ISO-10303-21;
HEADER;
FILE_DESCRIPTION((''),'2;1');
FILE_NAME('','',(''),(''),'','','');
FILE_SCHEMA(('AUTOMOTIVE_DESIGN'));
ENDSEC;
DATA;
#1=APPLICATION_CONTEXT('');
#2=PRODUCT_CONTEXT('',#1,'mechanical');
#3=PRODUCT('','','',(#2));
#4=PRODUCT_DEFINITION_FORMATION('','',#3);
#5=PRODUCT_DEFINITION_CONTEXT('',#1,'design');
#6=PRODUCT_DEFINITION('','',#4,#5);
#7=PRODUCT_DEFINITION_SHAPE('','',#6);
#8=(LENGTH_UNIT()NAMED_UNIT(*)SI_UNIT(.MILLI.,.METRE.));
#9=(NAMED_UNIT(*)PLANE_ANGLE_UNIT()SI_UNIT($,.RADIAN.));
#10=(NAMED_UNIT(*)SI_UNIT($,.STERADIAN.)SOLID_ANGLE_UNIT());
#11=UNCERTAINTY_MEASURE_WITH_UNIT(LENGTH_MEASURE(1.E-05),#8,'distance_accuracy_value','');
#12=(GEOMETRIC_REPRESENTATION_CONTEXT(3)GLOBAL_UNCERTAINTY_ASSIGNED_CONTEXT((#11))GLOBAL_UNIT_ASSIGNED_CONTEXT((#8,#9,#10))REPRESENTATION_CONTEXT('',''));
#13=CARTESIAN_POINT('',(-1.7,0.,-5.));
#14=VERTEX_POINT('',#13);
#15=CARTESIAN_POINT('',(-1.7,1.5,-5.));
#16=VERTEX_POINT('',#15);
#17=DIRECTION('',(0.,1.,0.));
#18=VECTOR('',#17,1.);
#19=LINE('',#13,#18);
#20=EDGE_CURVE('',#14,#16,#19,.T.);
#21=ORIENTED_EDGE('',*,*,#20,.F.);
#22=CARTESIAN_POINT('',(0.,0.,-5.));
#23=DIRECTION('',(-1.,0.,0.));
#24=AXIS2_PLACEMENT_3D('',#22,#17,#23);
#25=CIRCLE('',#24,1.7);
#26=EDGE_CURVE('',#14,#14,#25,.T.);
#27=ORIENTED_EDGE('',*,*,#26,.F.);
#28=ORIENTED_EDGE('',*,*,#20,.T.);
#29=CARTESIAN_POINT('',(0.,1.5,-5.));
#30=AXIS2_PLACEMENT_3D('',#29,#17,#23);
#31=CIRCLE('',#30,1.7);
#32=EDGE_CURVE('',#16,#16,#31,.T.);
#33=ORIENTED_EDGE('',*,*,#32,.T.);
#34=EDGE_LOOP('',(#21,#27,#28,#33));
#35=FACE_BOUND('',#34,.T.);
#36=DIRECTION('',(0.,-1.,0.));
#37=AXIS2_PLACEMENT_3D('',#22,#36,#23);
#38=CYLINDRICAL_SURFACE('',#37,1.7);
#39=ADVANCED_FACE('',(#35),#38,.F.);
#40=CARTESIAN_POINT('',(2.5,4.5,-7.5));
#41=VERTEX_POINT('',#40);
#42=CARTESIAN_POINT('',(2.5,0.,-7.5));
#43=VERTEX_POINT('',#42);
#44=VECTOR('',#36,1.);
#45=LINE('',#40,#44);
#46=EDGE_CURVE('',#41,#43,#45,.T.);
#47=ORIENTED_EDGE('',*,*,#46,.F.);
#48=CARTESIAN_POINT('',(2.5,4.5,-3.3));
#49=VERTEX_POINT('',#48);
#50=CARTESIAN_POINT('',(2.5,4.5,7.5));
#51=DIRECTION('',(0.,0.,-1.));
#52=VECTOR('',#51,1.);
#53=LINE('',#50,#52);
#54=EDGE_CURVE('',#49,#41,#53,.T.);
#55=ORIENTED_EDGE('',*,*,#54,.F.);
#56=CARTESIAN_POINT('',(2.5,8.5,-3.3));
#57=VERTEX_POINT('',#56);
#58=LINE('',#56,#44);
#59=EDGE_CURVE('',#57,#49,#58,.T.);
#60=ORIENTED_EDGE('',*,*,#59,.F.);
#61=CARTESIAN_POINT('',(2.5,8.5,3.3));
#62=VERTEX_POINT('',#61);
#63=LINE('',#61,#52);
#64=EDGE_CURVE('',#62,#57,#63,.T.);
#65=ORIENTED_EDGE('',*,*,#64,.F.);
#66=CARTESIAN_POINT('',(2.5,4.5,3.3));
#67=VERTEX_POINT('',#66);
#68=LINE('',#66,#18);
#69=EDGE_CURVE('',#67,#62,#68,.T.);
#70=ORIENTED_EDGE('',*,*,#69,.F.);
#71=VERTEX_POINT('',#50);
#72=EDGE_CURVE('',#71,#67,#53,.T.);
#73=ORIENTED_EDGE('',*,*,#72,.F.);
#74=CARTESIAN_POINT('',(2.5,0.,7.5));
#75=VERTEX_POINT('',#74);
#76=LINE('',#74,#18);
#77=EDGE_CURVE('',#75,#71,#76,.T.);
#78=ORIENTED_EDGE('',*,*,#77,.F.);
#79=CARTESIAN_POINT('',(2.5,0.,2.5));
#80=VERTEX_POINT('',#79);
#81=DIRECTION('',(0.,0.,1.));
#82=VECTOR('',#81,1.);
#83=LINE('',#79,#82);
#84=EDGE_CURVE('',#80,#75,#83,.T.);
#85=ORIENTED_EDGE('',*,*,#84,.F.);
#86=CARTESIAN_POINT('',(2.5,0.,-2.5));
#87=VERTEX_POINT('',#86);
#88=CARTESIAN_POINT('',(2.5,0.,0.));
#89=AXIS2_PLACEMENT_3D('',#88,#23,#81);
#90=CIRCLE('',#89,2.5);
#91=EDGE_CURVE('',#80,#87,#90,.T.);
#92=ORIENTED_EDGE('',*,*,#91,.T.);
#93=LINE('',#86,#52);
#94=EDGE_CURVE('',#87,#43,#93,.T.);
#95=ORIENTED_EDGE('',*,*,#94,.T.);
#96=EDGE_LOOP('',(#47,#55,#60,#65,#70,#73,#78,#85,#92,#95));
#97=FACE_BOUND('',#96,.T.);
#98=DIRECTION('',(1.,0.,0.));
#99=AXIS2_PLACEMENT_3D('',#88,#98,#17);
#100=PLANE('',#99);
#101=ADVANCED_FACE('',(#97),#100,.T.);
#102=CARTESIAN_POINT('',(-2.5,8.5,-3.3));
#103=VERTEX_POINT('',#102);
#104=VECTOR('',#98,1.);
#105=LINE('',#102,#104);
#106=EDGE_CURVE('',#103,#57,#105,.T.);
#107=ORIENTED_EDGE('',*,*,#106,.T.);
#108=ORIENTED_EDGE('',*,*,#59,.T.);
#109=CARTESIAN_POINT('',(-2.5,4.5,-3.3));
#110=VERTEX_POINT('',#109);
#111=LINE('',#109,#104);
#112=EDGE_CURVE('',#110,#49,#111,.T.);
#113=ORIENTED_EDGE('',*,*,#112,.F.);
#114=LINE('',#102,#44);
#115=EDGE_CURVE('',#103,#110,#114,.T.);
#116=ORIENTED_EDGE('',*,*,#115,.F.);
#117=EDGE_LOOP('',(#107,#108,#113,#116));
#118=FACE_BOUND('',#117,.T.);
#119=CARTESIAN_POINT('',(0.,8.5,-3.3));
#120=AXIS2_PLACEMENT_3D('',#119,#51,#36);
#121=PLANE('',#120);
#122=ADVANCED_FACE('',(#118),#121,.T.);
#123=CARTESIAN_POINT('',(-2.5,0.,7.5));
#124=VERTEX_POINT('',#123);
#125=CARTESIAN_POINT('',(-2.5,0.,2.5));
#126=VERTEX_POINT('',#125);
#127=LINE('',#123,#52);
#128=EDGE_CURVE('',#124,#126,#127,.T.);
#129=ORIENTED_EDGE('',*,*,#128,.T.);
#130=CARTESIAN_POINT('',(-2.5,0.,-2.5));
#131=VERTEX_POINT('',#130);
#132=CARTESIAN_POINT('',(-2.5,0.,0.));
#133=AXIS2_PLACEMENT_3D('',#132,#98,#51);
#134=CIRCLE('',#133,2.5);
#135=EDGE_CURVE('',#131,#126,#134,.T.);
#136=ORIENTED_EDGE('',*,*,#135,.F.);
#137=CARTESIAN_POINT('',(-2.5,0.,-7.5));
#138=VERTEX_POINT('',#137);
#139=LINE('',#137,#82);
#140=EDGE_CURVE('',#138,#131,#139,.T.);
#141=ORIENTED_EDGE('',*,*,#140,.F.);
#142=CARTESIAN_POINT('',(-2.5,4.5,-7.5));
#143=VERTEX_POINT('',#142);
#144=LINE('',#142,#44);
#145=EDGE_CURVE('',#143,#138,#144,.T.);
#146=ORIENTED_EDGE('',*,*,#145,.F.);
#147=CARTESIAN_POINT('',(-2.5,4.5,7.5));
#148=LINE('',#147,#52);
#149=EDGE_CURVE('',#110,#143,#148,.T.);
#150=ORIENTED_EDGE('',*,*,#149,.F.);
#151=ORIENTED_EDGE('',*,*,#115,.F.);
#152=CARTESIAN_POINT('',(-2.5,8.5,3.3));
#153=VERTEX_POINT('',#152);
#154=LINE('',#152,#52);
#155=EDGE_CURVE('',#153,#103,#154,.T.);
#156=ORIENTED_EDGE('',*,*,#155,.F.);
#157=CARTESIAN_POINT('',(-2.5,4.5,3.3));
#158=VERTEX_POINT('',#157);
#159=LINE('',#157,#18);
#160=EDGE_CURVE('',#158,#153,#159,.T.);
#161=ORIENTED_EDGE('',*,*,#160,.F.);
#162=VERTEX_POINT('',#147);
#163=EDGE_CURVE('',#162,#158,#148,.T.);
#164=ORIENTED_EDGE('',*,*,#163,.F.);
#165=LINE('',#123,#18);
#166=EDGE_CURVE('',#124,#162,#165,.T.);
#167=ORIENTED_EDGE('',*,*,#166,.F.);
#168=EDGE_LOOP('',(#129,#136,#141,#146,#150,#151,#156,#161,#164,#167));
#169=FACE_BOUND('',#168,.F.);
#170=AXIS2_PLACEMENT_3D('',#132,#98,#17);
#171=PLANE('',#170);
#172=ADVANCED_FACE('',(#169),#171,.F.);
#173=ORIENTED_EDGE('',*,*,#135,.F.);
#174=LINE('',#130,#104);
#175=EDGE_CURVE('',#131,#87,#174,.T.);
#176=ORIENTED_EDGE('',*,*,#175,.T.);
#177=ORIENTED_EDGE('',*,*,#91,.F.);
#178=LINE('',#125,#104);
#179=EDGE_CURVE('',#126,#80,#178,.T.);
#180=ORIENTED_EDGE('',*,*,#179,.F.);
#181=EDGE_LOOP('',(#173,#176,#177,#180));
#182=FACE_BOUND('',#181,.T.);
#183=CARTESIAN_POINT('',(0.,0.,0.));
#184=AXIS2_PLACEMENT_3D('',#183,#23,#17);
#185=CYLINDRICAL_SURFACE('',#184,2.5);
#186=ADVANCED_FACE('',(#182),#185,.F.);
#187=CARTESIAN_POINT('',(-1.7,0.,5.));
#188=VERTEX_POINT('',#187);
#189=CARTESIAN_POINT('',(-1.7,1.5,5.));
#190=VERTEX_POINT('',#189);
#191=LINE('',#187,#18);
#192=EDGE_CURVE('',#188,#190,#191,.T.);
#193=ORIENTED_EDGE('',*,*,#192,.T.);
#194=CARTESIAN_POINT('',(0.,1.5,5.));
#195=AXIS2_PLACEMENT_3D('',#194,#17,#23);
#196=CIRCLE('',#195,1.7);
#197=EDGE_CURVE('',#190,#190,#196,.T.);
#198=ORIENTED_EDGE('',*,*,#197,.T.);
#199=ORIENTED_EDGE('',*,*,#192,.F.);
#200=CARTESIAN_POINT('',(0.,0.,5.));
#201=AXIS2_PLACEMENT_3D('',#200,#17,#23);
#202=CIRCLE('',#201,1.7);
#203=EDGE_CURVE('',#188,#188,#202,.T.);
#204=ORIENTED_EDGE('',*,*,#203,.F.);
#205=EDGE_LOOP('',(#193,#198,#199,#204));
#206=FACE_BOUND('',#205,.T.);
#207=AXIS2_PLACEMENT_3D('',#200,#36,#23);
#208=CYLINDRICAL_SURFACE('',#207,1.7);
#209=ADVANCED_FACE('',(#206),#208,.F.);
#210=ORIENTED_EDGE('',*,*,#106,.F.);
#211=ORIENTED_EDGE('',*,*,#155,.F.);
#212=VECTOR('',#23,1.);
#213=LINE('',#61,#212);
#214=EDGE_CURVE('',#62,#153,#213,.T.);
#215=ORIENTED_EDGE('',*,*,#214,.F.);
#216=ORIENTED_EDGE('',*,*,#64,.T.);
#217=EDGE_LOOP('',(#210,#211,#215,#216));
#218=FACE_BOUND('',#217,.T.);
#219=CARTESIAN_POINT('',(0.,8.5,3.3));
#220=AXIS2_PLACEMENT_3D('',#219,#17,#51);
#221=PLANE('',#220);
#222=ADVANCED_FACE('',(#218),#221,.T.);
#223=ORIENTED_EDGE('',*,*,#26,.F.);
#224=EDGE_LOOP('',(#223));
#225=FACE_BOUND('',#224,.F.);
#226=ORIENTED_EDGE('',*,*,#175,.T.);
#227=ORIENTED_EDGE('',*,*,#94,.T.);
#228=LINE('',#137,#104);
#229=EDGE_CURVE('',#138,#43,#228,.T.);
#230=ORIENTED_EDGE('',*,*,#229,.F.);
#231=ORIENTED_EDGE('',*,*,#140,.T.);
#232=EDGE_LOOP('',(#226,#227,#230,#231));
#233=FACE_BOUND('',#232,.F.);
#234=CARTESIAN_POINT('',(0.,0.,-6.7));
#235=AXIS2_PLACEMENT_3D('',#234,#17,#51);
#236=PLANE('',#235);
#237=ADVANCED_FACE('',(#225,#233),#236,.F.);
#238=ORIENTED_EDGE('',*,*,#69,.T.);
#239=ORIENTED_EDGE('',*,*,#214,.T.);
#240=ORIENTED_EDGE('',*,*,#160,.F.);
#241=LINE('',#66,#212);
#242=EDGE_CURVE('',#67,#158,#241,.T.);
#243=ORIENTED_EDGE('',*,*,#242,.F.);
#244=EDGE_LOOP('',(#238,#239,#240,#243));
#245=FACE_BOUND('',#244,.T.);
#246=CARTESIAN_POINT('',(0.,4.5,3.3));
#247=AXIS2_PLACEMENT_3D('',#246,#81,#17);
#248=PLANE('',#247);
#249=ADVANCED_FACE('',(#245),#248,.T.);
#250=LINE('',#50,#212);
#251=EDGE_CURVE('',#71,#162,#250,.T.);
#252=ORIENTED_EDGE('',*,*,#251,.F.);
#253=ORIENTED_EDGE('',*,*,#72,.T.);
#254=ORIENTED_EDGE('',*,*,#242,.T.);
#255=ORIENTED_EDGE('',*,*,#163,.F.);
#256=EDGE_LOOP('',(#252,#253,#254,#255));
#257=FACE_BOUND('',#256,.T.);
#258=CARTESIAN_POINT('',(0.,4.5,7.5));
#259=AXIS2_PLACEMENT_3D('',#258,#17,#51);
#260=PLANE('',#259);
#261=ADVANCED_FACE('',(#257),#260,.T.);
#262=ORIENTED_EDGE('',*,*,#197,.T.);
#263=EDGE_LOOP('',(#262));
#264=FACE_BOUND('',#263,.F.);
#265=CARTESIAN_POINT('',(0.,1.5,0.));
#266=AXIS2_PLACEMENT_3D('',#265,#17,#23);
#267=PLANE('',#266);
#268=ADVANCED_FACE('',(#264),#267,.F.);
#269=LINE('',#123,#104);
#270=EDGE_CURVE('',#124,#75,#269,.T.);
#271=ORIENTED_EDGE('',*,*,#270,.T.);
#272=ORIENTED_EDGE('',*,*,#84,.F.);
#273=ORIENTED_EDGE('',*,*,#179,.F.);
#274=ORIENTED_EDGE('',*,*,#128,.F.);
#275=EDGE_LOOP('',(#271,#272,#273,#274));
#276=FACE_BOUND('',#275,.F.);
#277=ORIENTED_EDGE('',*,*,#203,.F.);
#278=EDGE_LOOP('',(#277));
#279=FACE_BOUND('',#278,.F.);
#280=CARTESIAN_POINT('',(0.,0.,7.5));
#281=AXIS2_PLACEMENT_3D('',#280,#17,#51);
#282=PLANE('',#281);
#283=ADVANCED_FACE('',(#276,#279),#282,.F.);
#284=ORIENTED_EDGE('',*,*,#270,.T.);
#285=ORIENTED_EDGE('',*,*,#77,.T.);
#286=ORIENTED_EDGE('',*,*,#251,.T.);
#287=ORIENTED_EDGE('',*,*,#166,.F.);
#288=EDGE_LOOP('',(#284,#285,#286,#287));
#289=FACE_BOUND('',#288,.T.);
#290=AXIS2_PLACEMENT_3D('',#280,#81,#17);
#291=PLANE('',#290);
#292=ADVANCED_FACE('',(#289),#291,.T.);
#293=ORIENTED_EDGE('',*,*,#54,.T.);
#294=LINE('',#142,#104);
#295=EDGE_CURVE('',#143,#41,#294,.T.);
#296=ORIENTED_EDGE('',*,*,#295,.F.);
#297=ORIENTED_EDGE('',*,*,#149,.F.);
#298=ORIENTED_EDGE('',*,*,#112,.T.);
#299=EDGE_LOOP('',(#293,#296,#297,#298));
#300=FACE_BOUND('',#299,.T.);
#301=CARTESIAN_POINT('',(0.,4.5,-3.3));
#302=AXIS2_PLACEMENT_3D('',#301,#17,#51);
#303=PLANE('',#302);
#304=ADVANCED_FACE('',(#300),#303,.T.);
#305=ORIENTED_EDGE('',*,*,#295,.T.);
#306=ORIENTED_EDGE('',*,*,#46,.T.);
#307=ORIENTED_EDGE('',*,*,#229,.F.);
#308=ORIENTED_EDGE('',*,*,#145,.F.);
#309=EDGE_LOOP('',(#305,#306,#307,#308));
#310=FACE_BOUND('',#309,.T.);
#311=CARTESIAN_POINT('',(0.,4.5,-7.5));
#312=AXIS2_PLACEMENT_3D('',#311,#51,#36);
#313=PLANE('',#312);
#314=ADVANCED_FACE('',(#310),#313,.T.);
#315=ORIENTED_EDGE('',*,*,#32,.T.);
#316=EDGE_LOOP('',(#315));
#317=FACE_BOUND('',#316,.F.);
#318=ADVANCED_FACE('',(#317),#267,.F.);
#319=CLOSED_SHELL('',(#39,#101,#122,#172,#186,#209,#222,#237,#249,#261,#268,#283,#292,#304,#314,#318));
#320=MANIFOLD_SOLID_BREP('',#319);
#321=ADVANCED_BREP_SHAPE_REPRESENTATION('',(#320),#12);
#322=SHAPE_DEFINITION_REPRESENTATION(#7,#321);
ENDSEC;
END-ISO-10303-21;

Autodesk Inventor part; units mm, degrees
ref_plane "YZ Plane" through (0, 0, 0) normal (1, 0, 0) x (0, 1, 0)
ref_plane "XZ Plane" through (0, 0, 0) normal (0, 1, 0) x (-1, 0, 0)
ref_plane "XY Plane" through (0, 0, 0) normal (0, 0, 1) x (1, 0, 0)
sketch "草圖1" plane through (0, 0, 0) normal (0, 1, 0) x (-1, 0, 0)
  line L0 (2.5, 7.5) -> (-2.5, 7.5)
  line L1 (-2.5, 7.5) -> (-2.5, -7.5)
  line L2 (-2.5, -7.5) -> (2.5, -7.5)
  line L3 (2.5, -7.5) -> (2.5, 7.5)
  circle A0 centre (0, 0) radius 1.7
  circle A1 centre (0, 5) radius 1.7
  circle A2 centre (0, -5) radius 1.7
  point P0 (2.5, 0)
  point P1 (0, -7.5)
  dimension "d0" = 5
  dimension "d1" = 15
  dimension "d2" = 3.4
  dimension "d3" = 3.4
  dimension "d4" = 3.4
  dimension "d5" = 2.5
  dimension "d6" = 2.5
sketch "草圖2" plane through (0, 0, 0) normal (1, 0, 0) x (0, 1, 0)
  line L0 (0, 7.5) -> (0, -7.5) projected
  line L1 (0, 3.3) -> (0, 6.7) projected
  line L2 (0, -6.7) -> (0, -3.3) projected
  line L3 (0, -1.7) -> (0, 1.7) projected
  line L4 (0, 7.5) -> (4.5, 7.5)
  line L5 (4.5, 7.5) -> (4.5, -7.5)
  line L6 (4.5, -7.5) -> (0, -7.5)
  line L7 (4.5, 3.3) -> (8.5, 3.3)
  line L8 (8.5, 3.3) -> (8.5, -3.3)
  line L9 (8.5, -3.3) -> (4.5, -3.3)
  circle A0 centre (0, 0) radius 2.5
  point P0 (8.5, 0)
  point P1 (4.5, 0)
  point P2 (0, 2.5)
  point P3 (0, -2.5)
  dimension "d7" = 4.5
  dimension "d8" = 4
  dimension "d9" = 6.6
  dimension "d12" = 5
extrude "擠出1" add sketch "草圖2" along normal mid plane 5 contours L4 L5 L6 L0 A0 | L7 L8 L9 L5
extrude "擠出2" cut sketch "草圖1" along normal blind 1.5 contours A1 | A2
properties part number "110033226_ipt_18_大橋圍牆"
